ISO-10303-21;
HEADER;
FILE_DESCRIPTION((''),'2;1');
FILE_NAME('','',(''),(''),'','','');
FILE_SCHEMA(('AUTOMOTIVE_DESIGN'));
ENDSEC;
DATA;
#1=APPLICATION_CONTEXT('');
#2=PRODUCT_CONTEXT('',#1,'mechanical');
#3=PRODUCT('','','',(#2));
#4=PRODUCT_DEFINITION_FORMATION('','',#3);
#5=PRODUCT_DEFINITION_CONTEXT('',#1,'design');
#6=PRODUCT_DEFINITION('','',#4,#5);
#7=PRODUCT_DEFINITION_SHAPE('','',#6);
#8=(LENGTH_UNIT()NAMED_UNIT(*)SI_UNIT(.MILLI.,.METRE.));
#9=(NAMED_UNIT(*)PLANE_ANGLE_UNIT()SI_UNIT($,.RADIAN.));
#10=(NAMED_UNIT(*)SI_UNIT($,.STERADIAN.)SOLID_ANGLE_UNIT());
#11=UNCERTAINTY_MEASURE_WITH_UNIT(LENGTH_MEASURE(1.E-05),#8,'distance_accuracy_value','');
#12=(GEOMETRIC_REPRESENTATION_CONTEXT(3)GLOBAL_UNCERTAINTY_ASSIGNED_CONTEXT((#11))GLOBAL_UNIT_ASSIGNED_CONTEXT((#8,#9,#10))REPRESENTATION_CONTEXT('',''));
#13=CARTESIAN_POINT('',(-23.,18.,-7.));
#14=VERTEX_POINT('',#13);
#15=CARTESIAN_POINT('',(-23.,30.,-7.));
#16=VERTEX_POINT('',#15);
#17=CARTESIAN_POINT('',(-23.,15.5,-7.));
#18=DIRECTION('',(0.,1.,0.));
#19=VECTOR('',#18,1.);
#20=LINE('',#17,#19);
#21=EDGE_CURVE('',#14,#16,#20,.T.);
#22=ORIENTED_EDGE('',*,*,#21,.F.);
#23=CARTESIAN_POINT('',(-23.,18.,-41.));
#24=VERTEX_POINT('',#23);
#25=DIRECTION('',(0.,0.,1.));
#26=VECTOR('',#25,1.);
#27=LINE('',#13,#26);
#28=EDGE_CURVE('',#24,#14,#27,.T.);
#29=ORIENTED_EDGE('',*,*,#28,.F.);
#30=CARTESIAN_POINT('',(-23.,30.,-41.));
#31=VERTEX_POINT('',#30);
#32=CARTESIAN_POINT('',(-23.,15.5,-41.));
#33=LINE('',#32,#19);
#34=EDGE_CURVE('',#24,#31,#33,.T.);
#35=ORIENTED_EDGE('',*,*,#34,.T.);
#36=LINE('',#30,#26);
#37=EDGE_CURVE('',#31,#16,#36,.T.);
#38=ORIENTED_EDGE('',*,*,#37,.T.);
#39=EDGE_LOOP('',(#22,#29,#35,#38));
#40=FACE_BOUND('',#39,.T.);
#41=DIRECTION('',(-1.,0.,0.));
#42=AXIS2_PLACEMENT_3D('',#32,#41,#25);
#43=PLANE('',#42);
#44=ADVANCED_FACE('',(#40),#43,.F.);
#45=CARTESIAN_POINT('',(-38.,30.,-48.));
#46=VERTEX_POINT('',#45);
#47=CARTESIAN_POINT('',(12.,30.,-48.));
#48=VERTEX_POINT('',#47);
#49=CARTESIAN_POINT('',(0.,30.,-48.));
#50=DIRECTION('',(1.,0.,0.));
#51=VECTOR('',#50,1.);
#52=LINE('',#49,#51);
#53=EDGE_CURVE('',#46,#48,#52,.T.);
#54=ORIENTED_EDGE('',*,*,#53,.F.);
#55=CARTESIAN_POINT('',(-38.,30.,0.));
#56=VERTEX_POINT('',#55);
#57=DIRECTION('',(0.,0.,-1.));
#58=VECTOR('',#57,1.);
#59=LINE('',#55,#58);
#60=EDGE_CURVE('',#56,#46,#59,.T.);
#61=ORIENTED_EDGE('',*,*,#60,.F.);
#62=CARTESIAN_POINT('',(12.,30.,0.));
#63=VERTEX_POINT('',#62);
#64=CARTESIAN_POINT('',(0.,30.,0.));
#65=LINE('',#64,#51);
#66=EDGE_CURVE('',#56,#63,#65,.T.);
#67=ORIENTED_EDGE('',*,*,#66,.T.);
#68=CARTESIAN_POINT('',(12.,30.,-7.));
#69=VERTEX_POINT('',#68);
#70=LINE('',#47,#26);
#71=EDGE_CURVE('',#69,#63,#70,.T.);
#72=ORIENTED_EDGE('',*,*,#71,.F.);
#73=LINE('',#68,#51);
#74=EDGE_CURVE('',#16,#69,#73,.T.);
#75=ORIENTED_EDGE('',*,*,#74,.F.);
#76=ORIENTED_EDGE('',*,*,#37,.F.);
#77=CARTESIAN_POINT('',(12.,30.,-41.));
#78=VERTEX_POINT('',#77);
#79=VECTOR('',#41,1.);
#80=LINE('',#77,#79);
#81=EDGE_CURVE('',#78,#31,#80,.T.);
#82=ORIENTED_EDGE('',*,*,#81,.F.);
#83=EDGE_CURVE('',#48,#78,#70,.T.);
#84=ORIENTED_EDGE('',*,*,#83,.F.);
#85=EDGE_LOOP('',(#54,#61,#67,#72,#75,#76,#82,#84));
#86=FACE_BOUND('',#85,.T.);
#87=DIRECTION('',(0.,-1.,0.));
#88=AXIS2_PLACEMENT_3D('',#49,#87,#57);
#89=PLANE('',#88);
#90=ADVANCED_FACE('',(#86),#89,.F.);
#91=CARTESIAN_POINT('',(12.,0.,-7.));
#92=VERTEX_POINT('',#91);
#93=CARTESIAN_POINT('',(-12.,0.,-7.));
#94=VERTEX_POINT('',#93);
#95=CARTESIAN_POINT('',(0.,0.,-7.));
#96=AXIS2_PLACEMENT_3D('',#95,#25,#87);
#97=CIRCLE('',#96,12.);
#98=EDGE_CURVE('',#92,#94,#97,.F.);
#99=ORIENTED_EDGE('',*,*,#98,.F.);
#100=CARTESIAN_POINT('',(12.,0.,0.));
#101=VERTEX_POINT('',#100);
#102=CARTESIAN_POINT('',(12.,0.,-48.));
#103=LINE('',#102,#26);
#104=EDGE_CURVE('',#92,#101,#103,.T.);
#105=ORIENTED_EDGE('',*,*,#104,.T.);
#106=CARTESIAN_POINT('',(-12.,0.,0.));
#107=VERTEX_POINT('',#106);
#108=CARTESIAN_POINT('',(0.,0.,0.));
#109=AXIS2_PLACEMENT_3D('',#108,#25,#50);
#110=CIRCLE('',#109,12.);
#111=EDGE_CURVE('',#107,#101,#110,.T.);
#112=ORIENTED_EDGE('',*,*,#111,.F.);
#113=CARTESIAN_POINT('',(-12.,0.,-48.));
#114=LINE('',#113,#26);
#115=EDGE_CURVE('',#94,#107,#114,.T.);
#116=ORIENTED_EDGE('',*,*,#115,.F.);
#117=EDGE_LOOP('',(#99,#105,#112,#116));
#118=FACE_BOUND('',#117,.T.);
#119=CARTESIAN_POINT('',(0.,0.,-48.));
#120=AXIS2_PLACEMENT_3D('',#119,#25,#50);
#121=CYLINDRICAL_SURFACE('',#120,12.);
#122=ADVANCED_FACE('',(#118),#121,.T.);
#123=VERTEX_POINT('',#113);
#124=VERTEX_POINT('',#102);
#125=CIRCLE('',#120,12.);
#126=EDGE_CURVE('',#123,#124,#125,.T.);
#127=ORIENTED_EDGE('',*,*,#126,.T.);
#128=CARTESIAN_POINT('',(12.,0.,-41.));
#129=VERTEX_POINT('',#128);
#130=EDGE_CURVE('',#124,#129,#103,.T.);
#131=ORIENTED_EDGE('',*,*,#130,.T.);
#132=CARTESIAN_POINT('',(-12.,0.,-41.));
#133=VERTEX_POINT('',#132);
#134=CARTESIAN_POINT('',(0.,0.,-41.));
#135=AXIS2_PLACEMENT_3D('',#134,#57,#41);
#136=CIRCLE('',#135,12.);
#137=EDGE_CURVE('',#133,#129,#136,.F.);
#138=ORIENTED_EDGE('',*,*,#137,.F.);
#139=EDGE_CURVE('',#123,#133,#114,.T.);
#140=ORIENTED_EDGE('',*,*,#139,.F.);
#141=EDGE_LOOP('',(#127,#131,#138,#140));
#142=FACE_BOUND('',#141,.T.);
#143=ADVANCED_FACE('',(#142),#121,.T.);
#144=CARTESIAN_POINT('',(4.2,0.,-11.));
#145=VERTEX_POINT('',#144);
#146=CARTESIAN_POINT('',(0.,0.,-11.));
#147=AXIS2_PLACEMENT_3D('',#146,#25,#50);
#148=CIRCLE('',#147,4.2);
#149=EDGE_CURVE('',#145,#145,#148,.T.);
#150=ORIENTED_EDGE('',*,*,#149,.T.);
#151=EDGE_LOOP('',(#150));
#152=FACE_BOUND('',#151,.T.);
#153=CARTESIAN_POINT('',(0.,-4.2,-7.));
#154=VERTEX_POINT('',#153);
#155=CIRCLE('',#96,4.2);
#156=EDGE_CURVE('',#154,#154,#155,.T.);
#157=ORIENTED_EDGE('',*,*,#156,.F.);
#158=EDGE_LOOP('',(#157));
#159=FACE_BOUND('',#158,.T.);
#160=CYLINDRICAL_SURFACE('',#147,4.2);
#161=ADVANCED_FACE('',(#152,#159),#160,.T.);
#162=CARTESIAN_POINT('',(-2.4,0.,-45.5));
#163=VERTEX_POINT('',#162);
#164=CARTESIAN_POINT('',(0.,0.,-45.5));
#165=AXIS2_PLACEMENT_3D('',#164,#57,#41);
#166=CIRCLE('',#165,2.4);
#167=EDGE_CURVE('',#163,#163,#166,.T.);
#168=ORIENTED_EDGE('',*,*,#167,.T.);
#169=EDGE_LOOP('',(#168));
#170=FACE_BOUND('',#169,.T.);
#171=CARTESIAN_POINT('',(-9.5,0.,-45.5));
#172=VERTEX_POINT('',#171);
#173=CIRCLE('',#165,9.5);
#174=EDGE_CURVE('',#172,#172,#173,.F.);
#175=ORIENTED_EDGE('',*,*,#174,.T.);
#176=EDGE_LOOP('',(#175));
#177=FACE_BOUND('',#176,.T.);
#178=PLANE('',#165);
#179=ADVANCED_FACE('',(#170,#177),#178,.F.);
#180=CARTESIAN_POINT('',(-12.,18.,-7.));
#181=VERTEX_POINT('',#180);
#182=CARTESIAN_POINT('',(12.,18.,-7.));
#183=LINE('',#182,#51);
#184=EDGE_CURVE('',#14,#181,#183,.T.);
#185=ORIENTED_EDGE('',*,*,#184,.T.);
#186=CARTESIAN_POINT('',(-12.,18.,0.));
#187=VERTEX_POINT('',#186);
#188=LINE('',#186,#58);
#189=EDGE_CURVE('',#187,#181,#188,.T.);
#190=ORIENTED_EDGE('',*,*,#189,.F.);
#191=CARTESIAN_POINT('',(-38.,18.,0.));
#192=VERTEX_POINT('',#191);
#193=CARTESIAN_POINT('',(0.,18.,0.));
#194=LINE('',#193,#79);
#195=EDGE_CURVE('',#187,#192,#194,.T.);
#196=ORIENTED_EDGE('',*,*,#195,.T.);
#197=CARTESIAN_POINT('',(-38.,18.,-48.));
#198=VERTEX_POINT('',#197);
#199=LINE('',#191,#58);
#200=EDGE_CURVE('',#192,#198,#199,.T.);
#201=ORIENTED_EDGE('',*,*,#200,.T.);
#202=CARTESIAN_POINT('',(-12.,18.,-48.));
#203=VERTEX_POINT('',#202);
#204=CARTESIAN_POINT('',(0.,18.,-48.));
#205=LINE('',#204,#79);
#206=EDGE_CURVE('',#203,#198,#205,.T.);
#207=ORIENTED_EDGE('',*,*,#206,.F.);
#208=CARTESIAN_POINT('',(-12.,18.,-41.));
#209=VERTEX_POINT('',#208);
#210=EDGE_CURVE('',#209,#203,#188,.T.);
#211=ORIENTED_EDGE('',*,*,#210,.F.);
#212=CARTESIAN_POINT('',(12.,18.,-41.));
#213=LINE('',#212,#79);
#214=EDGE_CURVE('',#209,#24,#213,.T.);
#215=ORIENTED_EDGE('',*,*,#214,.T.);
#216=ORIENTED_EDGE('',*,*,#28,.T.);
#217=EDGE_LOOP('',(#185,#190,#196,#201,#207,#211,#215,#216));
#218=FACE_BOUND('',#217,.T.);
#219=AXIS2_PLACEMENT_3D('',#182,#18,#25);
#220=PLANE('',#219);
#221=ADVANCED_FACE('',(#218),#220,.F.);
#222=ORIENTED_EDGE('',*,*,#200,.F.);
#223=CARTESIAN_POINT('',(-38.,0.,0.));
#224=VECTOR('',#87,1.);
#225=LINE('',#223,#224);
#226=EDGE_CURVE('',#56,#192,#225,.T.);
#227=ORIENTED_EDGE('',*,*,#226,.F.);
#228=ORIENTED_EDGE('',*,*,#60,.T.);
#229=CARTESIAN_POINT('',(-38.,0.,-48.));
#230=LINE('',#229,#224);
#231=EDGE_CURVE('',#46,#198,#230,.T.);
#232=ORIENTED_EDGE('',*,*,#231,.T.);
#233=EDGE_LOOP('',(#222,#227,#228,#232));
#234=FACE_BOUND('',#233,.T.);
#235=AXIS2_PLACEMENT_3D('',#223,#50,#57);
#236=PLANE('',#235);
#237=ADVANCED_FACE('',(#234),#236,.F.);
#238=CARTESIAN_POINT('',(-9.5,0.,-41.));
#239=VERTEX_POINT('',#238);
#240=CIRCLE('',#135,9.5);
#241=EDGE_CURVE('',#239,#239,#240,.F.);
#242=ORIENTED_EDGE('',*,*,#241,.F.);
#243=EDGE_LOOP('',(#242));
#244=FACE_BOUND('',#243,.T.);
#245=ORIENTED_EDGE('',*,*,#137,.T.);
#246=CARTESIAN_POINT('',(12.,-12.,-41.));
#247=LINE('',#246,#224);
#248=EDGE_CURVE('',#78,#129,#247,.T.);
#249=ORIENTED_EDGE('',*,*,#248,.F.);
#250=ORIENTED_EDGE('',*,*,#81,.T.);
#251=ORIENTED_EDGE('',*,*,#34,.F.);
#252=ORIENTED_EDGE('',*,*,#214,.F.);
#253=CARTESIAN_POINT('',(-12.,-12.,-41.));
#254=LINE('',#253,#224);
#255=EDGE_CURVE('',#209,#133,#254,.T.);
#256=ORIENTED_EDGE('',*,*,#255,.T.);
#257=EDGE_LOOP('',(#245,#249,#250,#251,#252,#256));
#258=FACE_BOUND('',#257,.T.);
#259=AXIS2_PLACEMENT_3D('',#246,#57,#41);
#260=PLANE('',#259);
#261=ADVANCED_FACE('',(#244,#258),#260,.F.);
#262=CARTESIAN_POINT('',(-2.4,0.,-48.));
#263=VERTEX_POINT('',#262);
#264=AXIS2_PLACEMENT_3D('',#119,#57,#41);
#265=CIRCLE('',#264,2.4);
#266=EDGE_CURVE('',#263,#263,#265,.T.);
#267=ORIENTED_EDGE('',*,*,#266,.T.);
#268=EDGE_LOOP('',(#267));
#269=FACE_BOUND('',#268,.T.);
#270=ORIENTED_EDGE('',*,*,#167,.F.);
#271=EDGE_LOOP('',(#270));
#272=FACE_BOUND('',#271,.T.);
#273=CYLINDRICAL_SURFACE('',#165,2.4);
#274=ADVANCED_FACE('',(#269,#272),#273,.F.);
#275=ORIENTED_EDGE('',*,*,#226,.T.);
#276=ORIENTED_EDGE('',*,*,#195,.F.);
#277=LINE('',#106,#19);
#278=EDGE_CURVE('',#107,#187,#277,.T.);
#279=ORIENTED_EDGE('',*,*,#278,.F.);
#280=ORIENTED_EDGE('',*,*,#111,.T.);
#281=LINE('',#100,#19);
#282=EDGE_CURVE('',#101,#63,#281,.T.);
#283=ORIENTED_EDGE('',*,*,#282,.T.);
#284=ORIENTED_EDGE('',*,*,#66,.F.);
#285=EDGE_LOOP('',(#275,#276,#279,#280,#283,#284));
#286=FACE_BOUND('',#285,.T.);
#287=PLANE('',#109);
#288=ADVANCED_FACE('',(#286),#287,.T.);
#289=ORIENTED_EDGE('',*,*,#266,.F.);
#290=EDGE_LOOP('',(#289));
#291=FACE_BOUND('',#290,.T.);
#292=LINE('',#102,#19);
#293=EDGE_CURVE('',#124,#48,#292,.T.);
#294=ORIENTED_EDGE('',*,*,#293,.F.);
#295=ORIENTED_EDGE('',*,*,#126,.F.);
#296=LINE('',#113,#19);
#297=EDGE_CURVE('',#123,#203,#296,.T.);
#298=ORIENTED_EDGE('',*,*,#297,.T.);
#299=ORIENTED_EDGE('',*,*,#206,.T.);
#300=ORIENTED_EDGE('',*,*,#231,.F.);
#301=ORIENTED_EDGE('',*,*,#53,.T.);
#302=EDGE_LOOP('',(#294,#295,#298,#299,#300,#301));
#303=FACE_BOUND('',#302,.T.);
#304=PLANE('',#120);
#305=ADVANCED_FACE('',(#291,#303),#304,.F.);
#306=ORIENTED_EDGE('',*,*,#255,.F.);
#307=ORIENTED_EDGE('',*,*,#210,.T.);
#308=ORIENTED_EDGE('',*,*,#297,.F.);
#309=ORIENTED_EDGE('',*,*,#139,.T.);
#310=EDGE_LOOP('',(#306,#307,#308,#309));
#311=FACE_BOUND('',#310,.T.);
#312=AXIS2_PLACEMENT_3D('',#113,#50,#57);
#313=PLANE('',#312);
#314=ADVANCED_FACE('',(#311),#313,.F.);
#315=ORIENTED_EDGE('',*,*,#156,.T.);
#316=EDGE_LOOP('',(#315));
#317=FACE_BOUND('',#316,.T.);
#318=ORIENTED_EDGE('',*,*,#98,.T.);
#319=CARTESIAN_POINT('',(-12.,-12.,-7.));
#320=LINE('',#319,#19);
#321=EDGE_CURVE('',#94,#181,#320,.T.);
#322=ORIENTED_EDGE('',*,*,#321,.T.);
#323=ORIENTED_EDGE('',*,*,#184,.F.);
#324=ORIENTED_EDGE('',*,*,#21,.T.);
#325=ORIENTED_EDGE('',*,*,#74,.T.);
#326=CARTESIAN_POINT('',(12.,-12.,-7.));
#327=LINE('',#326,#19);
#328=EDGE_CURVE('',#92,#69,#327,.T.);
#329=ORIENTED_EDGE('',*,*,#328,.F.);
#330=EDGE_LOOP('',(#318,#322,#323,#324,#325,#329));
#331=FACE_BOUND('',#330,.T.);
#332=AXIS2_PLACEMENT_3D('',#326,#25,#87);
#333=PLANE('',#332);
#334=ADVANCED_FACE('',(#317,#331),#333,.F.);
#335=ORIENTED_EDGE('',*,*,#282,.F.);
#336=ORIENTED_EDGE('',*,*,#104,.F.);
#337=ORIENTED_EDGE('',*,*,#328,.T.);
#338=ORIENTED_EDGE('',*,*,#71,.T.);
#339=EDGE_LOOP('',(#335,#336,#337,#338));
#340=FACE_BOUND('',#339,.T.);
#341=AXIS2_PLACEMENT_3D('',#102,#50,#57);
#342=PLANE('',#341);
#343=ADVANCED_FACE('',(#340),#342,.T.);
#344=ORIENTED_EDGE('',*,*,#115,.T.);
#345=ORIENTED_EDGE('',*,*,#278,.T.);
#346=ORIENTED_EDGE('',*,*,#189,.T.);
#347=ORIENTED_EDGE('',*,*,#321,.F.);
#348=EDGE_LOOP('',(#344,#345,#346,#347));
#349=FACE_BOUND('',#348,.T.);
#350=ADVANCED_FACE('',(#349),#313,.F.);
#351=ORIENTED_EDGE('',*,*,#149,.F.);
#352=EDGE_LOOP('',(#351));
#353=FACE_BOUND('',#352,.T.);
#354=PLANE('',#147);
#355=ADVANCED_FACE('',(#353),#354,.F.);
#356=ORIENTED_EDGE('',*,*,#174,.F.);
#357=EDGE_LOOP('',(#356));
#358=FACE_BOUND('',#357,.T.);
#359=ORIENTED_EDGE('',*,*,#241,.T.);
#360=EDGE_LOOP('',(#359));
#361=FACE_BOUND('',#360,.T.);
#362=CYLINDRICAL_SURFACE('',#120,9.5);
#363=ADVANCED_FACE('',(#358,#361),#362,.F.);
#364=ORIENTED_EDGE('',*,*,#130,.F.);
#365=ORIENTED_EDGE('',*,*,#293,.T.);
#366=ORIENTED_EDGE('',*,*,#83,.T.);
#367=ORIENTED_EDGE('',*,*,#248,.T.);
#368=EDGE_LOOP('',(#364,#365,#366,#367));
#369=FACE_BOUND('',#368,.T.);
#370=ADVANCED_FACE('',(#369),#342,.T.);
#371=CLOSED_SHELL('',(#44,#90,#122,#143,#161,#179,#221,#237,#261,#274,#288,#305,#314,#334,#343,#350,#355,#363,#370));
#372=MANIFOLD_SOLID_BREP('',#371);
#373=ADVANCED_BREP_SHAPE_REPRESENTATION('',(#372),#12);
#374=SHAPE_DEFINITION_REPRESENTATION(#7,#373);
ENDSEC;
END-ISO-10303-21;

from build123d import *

# Parameters (mm, degrees)
SKETCH1_R           = 9.5
BOSS_EXTRUDE1_DEPTH = 48
SKETCH2_W           = 34
SKETCH2_H           = 30
CUT_EXTRUDE1_DEPTH  = 62.481704596
BOSS_EXTRUDE2_START = -2.5
SKETCH3_R           = 9.5
SKETCH3_R_2         = 2.4
BOSS_EXTRUDE2_DEPTH = 2.5
SKETCH4_R           = 9.5
SKETCH4_R_2         = 4.2
BOSS_EXTRUDE3_DEPTH = 7
SKETCH5_R           = 4.2
BOSS_EXTRUDE4_DEPTH = 11
BOSS_EXTRUDE5_DEPTH = 48
SKETCH7_W           = 35
SKETCH7_H           = 34
CUT_EXTRUDE2_DEPTH  = 14.5


with BuildPart() as part:
    # Sketch1 → Boss-Extrude1 (new body)
    with BuildSketch(Plane.XY):
        with BuildLine():
            Line((-12, 0), (-12, 30))
            Line((-12, 30), (12, 30))
            Line((12, 30), (12, 0))
            ThreePointArc((12, 0), (0, -12), (-12, 0))
        make_face()
        Circle(SKETCH1_R, mode=Mode.SUBTRACT)
    extrude(amount=-BOSS_EXTRUDE1_DEPTH)

    # Sketch2 → Cut-Extrude1 (cut, through all)
    with BuildSketch(Plane.ZY.offset(12)):
        with Locations((-24, 3)):
            Rectangle(SKETCH2_W, SKETCH2_H)
    extrude(amount=-CUT_EXTRUDE1_DEPTH, mode=Mode.SUBTRACT)

    # Sketch3 → Boss-Extrude2 (add)
    with BuildSketch(Plane(origin=(0, 0, -48), x_dir=(-1, 0, 0), z_dir=(0, 0, -1)).offset(BOSS_EXTRUDE2_START)):
        Circle(SKETCH3_R)
        Circle(SKETCH3_R_2, mode=Mode.SUBTRACT)
    extrude(amount=BOSS_EXTRUDE2_DEPTH)

    # Sketch4 → Boss-Extrude3 (add)
    with BuildSketch(Plane.XY):
        with Locations(Location((0, 0, 0), (0, 0, 180))):
            Circle(SKETCH4_R)
        Circle(SKETCH4_R_2, mode=Mode.SUBTRACT)
    extrude(amount=-BOSS_EXTRUDE3_DEPTH)

    # Sketch5 → Boss-Extrude4 (add)
    with BuildSketch(Plane.XY):
        Circle(SKETCH5_R)
    extrude(amount=-BOSS_EXTRUDE4_DEPTH)

    # Sketch6 → Boss-Extrude5 (add)
    with BuildSketch(Plane(origin=(0, 0, -48), x_dir=(-1, 0, 0), z_dir=(0, 0, -1))):
        Polygon((12, 30), (12, 18), (18, 18), (38, 18), (38, 30), align=None)
    extrude(amount=-BOSS_EXTRUDE5_DEPTH)

    # Sketch7 → Cut-Extrude2 (cut)
    with BuildSketch(Plane(origin=(0, 30, 0), x_dir=(1, 0, 0), z_dir=(0, 1, 0))):
        with Locations((-5.5, 24)):
            Rectangle(SKETCH7_W, SKETCH7_H)
    extrude(amount=-CUT_EXTRUDE2_DEPTH, mode=Mode.SUBTRACT)


solid = part.part
